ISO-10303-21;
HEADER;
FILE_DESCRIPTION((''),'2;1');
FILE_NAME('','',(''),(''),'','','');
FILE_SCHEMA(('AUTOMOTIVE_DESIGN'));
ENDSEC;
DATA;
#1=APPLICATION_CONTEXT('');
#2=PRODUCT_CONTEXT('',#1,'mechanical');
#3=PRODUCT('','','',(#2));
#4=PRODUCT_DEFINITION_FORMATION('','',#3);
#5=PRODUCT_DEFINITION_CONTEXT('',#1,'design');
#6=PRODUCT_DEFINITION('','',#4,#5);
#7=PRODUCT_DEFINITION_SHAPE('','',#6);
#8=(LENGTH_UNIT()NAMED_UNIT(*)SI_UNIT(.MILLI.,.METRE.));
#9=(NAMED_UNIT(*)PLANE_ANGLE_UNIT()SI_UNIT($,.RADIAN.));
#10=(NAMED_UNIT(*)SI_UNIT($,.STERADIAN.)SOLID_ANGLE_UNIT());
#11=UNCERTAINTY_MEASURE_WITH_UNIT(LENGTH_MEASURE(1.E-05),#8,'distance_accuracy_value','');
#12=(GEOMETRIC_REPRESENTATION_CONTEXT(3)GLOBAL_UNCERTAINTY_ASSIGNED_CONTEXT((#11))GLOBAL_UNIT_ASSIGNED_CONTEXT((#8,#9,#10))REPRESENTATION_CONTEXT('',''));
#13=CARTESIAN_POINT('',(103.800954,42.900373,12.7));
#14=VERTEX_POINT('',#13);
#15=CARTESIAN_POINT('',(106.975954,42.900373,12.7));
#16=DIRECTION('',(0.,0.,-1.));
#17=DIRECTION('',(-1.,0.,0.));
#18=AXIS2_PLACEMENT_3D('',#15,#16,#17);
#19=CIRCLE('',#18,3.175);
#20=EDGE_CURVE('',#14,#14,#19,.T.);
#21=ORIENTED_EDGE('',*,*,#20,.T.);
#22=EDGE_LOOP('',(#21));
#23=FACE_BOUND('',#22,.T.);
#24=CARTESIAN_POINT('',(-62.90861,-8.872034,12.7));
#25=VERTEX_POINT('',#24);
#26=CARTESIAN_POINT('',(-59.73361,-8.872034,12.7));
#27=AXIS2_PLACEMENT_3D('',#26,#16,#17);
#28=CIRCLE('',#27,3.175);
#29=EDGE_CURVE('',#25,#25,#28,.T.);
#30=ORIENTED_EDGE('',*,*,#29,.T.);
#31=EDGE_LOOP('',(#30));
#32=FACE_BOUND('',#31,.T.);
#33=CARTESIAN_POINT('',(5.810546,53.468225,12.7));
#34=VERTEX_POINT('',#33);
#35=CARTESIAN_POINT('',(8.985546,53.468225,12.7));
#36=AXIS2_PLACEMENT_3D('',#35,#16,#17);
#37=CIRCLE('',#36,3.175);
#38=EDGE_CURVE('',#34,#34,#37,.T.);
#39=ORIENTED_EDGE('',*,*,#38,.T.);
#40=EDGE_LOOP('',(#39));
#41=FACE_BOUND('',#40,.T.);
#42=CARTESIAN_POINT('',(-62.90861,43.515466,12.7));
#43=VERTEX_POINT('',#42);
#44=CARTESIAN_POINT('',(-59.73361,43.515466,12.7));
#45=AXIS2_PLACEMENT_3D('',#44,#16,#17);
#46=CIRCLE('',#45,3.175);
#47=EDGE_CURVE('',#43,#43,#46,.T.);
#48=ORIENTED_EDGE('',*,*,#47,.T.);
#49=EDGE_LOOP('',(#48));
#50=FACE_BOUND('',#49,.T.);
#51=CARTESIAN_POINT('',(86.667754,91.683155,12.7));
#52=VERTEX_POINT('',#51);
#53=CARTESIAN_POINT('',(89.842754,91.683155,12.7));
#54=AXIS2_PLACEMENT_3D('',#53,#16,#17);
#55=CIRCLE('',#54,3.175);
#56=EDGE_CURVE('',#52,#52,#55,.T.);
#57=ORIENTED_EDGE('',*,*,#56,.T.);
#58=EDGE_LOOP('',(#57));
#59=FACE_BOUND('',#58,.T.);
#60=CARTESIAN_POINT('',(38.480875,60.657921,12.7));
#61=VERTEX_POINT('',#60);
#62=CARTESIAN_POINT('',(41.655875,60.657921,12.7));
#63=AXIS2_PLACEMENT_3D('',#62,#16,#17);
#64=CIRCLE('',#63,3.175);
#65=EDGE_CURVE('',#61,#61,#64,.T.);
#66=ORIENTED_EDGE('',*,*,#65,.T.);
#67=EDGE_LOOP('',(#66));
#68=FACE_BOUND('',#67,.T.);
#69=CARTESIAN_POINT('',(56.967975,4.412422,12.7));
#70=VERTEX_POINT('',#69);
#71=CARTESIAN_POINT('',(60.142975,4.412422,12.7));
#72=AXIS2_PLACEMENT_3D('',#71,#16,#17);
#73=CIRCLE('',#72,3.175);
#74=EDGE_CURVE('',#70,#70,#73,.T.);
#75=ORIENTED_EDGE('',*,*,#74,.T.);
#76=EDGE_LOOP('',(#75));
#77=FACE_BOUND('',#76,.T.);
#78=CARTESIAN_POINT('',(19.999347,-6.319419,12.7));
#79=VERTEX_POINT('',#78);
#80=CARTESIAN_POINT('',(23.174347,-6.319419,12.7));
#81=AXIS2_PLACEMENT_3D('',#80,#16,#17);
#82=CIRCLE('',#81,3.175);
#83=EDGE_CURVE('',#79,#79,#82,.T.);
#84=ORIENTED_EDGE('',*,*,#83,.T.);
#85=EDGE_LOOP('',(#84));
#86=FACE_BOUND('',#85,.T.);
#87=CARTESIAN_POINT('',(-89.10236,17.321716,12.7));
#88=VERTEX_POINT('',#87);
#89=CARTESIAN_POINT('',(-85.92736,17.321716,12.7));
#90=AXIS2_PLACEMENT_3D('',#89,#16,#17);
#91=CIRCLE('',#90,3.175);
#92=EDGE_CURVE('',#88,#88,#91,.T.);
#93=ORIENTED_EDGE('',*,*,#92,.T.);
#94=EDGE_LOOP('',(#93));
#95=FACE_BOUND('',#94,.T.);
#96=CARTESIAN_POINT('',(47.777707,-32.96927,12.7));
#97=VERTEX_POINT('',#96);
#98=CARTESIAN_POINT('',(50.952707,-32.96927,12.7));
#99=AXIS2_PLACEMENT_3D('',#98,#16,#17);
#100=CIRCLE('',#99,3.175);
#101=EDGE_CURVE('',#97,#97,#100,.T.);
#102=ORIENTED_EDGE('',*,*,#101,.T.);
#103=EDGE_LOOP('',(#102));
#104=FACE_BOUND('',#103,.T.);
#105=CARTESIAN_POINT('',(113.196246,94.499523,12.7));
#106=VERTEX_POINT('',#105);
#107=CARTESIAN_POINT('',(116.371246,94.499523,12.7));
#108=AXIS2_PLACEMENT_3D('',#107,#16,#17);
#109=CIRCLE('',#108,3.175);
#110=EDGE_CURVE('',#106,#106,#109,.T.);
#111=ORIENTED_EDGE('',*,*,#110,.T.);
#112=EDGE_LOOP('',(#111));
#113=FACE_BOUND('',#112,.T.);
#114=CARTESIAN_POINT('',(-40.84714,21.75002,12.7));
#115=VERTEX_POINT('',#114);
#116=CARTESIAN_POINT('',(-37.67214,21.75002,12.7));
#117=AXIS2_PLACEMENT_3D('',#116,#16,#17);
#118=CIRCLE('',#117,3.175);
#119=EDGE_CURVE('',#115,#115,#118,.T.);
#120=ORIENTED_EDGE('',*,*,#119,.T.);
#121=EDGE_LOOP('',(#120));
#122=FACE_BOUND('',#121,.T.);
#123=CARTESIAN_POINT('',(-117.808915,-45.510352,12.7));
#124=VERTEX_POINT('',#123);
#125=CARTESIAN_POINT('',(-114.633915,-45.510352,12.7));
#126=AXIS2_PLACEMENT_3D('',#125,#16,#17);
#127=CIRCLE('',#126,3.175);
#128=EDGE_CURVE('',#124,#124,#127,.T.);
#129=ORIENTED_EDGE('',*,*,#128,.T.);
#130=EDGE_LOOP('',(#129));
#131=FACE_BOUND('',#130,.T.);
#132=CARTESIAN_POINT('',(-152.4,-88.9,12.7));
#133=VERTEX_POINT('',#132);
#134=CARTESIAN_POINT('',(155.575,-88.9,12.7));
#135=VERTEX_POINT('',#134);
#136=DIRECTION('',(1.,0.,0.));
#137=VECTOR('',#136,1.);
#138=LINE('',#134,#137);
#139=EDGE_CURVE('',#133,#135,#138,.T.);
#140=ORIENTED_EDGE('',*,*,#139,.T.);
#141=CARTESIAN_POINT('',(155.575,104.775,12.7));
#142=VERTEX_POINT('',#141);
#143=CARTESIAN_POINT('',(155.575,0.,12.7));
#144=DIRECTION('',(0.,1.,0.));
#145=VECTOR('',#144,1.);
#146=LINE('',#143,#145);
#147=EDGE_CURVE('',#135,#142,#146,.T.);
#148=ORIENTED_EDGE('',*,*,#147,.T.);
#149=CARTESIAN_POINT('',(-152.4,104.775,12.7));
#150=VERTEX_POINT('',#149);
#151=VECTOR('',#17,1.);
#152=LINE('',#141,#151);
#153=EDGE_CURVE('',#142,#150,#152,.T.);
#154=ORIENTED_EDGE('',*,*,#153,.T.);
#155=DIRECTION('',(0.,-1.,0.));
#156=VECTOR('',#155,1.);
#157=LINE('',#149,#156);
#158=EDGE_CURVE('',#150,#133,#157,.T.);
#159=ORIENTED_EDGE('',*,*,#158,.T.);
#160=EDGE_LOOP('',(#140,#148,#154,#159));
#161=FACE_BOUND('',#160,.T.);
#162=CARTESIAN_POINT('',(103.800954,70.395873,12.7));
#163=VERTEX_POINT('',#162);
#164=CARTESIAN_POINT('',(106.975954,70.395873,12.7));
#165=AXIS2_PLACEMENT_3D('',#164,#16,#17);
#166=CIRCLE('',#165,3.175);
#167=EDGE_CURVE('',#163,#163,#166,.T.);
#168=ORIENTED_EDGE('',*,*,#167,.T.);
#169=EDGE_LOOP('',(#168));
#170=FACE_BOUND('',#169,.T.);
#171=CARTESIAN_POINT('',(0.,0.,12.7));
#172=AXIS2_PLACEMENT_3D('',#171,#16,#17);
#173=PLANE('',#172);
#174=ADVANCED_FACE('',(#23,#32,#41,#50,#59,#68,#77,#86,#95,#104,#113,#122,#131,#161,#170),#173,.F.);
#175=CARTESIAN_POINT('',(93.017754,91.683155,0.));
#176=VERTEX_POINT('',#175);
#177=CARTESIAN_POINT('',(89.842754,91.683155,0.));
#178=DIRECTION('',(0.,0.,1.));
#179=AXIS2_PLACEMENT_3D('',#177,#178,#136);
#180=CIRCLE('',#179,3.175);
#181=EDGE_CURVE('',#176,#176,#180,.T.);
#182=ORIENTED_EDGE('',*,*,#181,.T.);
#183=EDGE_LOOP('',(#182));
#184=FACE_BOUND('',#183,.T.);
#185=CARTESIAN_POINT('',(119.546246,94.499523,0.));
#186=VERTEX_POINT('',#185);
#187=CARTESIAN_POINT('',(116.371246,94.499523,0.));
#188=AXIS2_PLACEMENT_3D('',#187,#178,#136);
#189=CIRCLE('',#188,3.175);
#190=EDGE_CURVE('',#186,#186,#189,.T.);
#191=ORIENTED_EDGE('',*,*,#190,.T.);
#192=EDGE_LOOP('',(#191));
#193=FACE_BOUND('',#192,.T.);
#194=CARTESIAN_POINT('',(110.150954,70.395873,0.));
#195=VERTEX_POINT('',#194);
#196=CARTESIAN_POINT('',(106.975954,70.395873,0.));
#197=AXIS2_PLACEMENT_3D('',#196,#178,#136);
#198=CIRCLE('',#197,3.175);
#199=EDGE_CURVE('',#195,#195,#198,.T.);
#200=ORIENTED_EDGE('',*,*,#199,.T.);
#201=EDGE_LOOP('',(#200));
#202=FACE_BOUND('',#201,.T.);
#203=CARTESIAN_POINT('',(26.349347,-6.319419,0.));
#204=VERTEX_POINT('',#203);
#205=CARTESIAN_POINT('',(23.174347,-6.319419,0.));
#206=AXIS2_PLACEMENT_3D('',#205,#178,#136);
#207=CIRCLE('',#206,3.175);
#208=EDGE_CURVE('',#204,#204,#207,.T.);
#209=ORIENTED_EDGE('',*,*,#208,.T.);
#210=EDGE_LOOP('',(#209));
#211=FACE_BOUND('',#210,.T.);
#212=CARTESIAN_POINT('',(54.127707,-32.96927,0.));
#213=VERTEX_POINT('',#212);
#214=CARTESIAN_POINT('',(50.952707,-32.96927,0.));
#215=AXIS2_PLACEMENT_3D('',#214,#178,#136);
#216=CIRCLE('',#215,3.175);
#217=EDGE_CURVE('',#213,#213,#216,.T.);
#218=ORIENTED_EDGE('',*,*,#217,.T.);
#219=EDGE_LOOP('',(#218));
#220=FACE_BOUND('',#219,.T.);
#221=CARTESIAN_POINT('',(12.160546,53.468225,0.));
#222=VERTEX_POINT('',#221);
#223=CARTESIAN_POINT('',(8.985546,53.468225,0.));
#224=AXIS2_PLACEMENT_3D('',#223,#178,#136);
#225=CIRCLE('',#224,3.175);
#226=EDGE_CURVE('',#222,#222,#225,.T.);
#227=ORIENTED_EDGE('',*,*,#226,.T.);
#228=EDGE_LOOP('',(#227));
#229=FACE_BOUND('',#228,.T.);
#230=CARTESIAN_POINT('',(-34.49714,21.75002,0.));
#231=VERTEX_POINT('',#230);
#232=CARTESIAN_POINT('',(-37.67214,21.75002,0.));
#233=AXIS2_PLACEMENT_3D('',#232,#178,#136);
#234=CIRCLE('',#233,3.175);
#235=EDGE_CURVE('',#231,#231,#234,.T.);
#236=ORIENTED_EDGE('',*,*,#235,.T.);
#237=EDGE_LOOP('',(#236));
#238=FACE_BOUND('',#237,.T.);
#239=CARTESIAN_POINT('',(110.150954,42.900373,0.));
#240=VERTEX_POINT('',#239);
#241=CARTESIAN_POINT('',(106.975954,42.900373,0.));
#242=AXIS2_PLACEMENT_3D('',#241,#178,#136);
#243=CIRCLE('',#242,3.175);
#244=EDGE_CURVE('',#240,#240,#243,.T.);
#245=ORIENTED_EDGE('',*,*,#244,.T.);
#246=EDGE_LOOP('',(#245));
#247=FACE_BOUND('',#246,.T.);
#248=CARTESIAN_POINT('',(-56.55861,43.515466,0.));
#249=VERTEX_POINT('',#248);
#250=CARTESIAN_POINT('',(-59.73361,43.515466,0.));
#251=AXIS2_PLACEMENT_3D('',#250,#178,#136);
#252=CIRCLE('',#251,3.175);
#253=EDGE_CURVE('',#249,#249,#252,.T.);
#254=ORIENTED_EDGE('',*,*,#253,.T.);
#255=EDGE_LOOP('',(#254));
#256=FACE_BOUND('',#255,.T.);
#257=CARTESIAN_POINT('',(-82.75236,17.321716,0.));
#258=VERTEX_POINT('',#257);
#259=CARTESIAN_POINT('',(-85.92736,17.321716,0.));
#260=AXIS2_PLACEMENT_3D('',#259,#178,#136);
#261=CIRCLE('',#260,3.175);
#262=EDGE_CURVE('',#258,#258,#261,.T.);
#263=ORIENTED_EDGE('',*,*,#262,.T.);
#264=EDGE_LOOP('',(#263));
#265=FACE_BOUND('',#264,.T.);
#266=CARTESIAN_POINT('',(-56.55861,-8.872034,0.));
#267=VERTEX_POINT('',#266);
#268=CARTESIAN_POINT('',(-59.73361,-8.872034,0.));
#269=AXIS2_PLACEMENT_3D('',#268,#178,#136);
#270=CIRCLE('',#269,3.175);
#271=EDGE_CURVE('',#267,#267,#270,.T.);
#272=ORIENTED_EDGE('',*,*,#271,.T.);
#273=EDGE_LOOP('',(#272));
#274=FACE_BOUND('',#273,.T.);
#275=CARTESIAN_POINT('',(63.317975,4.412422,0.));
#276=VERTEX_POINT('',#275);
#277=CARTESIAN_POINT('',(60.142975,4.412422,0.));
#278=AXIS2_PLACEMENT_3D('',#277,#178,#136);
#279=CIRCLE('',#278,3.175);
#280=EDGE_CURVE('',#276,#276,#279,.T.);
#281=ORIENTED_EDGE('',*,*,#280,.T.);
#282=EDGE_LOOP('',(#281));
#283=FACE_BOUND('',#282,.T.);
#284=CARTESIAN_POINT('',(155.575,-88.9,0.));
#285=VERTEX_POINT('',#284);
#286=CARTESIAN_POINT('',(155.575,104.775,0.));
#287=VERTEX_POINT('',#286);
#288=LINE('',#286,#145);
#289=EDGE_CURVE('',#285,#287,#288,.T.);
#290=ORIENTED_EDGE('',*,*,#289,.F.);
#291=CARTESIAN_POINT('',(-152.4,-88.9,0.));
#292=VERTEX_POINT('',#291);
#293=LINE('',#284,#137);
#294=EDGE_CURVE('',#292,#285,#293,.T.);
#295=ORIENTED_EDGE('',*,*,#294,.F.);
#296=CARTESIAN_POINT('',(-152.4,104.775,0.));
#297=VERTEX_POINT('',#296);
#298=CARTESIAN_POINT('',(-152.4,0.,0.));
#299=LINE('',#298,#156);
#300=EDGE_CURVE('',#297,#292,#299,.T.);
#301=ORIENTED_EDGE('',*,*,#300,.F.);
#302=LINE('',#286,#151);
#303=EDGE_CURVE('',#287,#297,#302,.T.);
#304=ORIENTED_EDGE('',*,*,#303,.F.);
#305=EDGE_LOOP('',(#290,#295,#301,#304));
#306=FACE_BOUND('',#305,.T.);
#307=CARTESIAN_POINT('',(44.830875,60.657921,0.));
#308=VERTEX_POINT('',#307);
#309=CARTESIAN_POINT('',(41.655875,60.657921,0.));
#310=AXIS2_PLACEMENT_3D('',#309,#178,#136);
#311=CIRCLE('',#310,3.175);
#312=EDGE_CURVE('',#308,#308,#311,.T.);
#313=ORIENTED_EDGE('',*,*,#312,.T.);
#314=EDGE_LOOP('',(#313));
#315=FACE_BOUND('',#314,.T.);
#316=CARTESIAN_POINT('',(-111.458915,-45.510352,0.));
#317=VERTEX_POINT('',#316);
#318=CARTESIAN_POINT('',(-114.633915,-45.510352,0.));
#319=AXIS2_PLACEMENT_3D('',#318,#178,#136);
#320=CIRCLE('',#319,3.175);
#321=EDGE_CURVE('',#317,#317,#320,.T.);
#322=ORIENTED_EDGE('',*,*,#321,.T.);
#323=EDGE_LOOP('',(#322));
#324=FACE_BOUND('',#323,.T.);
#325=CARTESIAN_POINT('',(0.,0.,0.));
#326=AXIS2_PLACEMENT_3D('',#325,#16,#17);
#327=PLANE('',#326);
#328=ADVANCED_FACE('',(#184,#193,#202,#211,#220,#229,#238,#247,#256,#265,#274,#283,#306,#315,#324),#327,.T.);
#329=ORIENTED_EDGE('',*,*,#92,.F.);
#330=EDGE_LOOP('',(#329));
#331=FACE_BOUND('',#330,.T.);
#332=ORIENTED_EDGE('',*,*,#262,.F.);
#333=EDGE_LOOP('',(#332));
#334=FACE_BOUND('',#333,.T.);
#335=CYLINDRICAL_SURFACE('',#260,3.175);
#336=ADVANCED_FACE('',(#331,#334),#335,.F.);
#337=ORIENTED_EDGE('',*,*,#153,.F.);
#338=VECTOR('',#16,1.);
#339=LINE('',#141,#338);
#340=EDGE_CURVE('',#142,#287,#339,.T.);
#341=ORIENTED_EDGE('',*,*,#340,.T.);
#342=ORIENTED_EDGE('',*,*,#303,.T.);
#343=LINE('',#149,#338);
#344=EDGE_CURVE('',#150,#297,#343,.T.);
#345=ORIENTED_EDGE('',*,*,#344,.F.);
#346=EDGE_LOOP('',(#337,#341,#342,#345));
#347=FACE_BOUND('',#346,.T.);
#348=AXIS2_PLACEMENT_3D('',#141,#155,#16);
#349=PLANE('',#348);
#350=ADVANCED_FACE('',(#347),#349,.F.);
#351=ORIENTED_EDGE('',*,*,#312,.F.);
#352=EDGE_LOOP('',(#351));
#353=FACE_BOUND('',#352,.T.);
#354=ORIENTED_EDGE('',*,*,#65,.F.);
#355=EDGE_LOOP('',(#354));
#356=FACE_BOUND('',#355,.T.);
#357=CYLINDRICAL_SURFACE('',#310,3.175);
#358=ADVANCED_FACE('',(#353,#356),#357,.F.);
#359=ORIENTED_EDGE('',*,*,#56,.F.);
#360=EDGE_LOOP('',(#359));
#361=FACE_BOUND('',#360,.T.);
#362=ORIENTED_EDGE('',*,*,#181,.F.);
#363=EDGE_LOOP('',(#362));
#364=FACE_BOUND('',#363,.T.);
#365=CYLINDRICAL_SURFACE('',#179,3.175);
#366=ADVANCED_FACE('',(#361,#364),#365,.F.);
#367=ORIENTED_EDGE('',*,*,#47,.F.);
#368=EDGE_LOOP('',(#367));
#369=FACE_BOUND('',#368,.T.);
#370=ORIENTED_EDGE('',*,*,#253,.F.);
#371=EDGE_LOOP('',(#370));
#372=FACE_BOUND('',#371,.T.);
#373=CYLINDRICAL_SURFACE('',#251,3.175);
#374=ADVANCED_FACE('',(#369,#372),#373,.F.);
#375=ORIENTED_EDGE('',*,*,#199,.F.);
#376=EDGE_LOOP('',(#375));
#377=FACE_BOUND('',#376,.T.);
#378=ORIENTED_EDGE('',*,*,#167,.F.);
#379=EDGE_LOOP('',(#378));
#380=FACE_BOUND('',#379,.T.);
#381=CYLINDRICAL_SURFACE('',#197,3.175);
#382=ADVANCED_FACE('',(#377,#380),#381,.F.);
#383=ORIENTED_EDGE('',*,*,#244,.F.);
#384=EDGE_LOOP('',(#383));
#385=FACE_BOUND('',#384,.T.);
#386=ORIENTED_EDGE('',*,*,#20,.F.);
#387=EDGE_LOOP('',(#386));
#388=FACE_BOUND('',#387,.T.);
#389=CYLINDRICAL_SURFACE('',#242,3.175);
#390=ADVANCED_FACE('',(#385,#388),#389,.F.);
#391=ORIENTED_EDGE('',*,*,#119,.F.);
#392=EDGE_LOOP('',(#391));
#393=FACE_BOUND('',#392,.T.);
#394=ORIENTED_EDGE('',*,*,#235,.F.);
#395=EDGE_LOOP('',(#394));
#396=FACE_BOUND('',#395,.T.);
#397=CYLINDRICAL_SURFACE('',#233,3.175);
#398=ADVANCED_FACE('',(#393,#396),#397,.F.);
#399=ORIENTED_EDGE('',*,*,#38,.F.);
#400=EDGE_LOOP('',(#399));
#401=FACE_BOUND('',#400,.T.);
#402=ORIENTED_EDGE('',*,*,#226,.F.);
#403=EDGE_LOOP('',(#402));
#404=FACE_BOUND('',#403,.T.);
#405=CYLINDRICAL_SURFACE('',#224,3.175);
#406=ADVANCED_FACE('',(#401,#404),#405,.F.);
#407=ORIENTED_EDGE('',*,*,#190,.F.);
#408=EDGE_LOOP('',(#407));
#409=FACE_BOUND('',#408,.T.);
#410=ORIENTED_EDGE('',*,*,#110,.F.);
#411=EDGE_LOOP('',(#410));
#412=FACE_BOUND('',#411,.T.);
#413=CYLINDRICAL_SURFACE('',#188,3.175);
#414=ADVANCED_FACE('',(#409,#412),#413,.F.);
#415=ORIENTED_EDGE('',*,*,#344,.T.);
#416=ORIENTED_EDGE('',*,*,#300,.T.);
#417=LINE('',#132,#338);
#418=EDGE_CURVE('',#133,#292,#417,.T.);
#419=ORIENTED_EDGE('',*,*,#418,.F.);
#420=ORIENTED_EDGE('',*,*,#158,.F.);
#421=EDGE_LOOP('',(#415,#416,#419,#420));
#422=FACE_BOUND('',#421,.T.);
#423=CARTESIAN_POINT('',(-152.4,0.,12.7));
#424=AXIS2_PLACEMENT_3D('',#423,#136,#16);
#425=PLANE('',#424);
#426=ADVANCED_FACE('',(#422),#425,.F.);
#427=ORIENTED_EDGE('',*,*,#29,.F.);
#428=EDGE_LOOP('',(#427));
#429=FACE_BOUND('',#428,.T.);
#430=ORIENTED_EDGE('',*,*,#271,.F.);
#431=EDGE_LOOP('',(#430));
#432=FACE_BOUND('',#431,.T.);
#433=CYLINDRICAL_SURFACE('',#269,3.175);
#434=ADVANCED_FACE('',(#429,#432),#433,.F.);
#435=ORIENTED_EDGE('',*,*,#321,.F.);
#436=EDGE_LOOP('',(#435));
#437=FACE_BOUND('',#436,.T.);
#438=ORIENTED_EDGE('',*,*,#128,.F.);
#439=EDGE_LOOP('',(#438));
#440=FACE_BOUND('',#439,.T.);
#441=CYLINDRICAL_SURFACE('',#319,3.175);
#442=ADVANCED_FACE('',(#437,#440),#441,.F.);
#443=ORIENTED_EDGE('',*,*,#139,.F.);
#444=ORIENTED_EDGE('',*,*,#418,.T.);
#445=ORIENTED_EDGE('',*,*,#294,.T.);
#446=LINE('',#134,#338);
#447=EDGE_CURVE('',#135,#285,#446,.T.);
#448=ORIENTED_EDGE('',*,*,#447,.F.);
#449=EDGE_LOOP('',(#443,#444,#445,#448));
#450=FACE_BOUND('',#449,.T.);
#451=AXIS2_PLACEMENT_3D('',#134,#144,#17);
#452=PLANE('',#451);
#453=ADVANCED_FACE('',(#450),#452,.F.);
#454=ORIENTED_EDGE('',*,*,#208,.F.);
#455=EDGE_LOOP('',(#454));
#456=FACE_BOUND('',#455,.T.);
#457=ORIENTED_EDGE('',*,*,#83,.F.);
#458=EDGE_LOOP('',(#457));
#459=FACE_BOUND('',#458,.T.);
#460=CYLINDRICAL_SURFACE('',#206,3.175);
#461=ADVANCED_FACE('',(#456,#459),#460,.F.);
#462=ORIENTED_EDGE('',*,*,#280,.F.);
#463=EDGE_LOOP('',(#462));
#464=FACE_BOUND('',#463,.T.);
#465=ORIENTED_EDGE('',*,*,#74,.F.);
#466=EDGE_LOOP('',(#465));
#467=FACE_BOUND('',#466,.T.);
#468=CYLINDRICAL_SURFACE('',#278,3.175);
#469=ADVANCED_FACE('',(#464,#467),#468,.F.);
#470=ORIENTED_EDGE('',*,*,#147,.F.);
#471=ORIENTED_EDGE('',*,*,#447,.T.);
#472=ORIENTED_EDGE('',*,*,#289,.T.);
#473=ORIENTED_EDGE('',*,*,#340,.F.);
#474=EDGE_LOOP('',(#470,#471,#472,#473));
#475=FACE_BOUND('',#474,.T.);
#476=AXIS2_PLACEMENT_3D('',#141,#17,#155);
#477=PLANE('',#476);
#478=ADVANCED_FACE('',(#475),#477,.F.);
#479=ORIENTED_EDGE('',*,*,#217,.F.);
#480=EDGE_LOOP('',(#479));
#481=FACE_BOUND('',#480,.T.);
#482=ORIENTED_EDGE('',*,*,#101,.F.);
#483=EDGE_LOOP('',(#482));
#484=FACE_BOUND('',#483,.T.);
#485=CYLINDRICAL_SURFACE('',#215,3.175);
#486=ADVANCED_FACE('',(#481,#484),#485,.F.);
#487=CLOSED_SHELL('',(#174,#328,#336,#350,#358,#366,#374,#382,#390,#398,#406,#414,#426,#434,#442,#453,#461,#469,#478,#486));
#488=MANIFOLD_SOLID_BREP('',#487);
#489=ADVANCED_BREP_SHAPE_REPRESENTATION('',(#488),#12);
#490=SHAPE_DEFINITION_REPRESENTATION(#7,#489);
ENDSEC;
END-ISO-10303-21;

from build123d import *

# Parameters (mm, degrees)
BOSS_EXTRUDE1_DEPTH     = 12.7
CUT_EXTRUDE1_DEPTH      = 188.996466057
CUT_EXTRUDE1_DEPTH_BACK = 188.996466057
SKETCH3_R               = 3.175


with BuildPart() as part:
    # Sketch1 → Boss-Extrude1 (new body)
    with BuildSketch(Plane.XY):
        Polygon((155.575, -88.9), (-152.4, -88.9), (-152.4, 0), (-152.4, 104.775), (155.575, 104.775), (155.575, 0), align=None)
    extrude(amount=BOSS_EXTRUDE1_DEPTH)

    # Sketch3 → Cut-Extrude1 (cut, two sides: drawn at the far end of the back side and taken through both)
    with BuildSketch(Plane.XY.offset(12.7).offset(-CUT_EXTRUDE1_DEPTH_BACK)):
        with Locations((106.975954286, 70.395873002)):
            Circle(SKETCH3_R)
        with Locations((106.975954286, 42.900373002)):
            Circle(SKETCH3_R)
        with Locations((-59.73361009, 43.51546635)):
            Circle(SKETCH3_R)
        with Locations((-59.73361009, -8.87203365)):
            Circle(SKETCH3_R)
        with Locations((-85.92736009, 17.32171635)):
            Circle(SKETCH3_R)
        with Locations((-114.633914907, -45.510351778)):
            Circle(SKETCH3_R)
        with Locations((8.985545702, 53.468225166)):
            Circle(SKETCH3_R)
        with Locations((41.65587457, 60.657920909)):
            Circle(SKETCH3_R)
        with Locations((60.142975062, 4.412421641)):
            Circle(SKETCH3_R)
        with Locations((50.952707496, -32.969269828)):
            Circle(SKETCH3_R)
        with Locations((23.174346831, -6.319418914)):
            Circle(SKETCH3_R)
        with Locations((-37.672139706, 21.75002)):
            Circle(SKETCH3_R)
        with Locations((89.842754417, 91.683154931)):
            Circle(SKETCH3_R)
        with Locations((116.371246163, 94.499523115)):
            Circle(SKETCH3_R)
    extrude(amount=CUT_EXTRUDE1_DEPTH + CUT_EXTRUDE1_DEPTH_BACK, mode=Mode.SUBTRACT)


solid = part.part
